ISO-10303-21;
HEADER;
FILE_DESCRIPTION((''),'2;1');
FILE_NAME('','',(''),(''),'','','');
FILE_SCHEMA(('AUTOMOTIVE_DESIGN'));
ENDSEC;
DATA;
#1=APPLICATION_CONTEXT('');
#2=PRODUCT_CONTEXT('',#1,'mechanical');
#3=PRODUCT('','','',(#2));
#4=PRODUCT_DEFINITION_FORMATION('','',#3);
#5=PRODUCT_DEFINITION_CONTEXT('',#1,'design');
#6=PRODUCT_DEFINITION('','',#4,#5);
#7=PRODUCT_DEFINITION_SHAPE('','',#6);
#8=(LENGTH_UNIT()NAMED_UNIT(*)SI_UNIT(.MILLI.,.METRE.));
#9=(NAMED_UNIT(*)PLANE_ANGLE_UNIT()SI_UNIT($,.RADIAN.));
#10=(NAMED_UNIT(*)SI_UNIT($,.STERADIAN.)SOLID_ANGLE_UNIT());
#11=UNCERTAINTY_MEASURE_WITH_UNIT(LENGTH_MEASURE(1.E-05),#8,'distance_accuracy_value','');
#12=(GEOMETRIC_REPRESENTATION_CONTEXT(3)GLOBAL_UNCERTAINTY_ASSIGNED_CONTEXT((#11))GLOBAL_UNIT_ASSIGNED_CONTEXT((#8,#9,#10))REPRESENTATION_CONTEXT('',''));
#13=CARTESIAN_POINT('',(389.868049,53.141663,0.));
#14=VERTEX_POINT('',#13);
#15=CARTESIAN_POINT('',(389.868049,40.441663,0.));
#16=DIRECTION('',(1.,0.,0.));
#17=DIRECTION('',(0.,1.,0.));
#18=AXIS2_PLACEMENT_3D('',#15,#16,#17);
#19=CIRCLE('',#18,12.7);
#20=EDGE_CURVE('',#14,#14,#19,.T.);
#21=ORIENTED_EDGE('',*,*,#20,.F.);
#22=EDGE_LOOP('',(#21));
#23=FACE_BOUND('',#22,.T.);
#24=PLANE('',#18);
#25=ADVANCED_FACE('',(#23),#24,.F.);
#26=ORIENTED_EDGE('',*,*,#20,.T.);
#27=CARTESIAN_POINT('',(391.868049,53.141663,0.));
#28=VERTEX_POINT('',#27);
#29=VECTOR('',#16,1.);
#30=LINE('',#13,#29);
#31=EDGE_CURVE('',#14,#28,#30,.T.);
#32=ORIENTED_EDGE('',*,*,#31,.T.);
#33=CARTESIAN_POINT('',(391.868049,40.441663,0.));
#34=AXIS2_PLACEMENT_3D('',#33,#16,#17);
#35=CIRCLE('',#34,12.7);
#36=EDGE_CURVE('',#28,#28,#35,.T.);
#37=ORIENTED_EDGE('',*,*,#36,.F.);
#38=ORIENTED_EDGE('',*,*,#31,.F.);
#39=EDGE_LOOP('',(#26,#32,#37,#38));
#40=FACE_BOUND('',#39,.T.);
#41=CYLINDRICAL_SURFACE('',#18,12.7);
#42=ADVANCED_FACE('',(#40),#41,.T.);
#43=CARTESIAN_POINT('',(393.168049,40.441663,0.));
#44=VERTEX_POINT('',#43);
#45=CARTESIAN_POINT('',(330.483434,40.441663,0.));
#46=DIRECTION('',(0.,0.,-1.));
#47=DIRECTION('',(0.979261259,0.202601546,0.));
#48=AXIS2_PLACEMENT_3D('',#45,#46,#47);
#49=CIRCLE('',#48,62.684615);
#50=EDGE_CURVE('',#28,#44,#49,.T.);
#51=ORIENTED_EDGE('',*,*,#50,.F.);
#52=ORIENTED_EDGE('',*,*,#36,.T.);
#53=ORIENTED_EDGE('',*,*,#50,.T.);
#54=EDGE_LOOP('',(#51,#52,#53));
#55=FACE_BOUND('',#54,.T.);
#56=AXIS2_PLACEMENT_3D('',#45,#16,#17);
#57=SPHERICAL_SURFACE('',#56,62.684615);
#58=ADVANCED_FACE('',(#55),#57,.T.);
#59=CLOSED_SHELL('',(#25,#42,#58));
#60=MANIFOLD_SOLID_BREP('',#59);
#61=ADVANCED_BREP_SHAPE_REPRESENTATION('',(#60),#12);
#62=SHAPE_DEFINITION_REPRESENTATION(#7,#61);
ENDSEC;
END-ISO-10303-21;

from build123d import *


with BuildPart() as part:
    # 草图1 → 旋转1 (revolve)
    with BuildSketch(Plane.XY):
        with BuildLine():
            Line((389.868049149, 40.44166343), (389.868049149, 53.14166343))
            Line((389.868049149, 53.14166343), (391.868049149, 53.14166343))
            ThreePointArc((391.868049149, 53.14166343), (392.842202241, 46.824844455), (393.168049149, 40.44166343))
            Line((393.168049149, 40.44166343), (389.868049149, 40.44166343))
        make_face()
    revolve(axis=Axis((384.238153098, 40.44166343, 0), (1, 0, 0)))


solid = part.part
